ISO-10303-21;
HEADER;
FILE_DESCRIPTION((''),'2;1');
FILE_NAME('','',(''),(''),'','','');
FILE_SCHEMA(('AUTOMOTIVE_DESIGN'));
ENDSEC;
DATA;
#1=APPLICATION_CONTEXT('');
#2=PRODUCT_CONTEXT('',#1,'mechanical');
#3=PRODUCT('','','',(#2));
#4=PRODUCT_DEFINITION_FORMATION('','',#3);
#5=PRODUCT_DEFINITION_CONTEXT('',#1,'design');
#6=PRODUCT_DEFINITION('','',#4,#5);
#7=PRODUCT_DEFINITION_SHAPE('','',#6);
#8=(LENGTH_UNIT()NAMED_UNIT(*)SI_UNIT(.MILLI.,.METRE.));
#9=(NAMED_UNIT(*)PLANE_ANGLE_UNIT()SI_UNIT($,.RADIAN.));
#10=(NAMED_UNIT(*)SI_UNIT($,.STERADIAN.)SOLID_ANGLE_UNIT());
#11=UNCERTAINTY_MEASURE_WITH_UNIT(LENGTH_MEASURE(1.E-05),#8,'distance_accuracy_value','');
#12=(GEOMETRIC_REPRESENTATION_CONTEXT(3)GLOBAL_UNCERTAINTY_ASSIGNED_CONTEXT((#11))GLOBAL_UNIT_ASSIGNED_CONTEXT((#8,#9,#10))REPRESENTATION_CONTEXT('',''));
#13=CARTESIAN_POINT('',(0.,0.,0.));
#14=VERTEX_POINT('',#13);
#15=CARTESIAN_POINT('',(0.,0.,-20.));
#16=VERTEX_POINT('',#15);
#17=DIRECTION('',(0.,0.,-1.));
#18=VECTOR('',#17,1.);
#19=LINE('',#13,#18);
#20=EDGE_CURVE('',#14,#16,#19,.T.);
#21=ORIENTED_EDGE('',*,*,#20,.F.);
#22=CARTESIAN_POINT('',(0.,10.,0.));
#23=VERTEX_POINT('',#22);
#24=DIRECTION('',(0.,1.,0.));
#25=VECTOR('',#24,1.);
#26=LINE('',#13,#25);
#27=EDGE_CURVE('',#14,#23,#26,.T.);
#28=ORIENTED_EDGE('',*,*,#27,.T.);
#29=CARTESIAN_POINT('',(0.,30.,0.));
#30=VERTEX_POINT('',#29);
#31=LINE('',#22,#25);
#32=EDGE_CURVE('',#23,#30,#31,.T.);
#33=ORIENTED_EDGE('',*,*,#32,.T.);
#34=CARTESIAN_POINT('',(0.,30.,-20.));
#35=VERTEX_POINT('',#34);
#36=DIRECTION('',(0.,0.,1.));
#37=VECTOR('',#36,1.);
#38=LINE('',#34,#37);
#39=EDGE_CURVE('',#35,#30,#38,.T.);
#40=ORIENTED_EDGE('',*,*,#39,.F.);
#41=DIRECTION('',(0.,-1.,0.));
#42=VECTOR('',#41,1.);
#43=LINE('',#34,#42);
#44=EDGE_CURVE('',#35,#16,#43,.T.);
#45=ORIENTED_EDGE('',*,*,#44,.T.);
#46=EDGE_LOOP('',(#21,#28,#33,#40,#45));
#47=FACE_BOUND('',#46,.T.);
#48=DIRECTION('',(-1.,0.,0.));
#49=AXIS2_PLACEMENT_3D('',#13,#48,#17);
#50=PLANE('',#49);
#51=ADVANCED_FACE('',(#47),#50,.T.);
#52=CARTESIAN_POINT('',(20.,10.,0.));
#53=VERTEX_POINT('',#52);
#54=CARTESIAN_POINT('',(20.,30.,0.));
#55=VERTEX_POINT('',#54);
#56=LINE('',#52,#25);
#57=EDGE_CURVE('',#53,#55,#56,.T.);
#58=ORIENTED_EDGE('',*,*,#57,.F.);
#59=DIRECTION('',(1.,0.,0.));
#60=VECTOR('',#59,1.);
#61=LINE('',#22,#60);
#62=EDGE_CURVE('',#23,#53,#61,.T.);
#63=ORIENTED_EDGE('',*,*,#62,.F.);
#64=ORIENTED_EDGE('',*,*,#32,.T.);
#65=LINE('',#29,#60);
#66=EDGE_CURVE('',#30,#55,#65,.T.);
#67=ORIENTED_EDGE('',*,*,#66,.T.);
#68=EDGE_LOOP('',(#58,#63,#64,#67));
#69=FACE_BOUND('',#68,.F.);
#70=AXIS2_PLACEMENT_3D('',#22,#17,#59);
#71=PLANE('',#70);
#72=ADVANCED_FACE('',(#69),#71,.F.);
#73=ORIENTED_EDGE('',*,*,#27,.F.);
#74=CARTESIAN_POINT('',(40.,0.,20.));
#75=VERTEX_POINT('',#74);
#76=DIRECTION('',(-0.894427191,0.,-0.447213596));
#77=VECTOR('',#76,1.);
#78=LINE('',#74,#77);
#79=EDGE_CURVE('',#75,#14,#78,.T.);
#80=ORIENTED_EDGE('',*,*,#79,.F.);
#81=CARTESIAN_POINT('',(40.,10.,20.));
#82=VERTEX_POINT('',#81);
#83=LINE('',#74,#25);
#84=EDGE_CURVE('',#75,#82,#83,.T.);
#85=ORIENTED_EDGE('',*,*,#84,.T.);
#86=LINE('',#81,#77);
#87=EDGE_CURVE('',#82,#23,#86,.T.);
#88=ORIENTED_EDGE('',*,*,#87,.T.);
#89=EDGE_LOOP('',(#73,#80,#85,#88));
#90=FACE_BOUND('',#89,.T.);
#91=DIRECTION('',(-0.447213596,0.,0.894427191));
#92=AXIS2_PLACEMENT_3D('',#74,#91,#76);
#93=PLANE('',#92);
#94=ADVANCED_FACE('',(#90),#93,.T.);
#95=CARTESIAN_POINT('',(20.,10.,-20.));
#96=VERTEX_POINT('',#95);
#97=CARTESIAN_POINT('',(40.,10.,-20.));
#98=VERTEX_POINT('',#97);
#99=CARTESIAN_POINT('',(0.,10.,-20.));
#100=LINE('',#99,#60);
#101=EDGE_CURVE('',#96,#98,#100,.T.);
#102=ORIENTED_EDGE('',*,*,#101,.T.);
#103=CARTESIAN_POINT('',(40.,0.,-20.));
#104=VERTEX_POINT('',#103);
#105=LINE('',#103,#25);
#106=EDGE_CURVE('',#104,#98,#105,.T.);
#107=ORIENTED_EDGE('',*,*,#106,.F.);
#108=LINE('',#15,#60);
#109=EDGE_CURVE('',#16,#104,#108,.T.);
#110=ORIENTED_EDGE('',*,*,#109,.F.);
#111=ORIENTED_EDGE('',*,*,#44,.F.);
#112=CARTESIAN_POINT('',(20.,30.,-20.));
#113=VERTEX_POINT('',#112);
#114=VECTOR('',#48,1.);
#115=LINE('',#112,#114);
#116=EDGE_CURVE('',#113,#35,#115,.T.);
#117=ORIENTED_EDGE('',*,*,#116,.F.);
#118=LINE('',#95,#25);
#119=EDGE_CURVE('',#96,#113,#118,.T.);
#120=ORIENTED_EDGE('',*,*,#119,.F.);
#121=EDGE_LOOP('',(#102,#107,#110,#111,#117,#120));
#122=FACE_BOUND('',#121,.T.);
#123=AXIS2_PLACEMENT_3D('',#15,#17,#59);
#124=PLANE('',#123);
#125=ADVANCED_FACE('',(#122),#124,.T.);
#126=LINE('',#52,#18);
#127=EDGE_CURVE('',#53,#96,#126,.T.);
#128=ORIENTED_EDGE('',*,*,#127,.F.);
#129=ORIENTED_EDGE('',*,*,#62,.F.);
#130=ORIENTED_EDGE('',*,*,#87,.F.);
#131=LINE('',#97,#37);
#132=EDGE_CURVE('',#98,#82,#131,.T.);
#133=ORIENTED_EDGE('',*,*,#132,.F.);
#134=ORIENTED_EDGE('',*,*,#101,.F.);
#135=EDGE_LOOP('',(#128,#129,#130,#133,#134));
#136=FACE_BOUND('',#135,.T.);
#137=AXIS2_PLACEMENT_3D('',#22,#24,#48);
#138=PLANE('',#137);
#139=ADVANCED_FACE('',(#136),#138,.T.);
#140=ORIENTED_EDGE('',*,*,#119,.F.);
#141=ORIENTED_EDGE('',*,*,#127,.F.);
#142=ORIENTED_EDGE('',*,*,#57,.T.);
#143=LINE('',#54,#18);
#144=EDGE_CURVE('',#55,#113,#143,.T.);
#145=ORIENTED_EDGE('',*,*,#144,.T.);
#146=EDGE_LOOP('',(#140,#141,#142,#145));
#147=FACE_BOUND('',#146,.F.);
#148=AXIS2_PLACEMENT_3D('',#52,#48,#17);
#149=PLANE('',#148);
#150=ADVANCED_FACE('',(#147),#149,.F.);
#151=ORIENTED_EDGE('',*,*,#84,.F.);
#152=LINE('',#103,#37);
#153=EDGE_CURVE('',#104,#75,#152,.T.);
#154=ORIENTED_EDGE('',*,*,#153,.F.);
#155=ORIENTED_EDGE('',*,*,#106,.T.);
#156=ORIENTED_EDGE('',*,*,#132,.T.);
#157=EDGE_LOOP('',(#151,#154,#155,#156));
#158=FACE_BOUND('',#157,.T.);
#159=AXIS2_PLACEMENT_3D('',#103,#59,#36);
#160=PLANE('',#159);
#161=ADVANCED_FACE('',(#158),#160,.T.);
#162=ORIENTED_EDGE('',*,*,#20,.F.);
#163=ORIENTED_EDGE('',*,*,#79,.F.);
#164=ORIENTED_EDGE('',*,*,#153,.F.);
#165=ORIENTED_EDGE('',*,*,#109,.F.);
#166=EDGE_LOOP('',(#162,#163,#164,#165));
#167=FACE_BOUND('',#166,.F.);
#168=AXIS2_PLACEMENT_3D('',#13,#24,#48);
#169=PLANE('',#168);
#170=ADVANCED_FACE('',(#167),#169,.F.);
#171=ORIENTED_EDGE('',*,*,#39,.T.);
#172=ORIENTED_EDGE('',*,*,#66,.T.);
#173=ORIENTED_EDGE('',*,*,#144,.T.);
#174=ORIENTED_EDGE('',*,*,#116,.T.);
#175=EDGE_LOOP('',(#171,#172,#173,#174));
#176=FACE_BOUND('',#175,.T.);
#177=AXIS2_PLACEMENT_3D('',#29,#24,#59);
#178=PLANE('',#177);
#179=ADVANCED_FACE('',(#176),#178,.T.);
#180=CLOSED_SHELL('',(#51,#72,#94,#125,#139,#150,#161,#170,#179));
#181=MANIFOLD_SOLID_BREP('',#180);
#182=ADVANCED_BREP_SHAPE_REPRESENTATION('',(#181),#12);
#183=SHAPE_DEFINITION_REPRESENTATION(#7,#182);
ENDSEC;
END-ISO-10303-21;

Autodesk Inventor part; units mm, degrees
ref_plane "YZ Plane" through (0, 0, 0) normal (1, 0, 0) x (0, 1, 0)
ref_plane "XZ Plane" through (0, 0, 0) normal (0, 1, 0) x (-1, 0, 0)
ref_plane "XY Plane" through (0, 0, 0) normal (0, 0, 1) x (1, 0, 0)
sketch "草圖1" plane through (0, 0, 0) normal (0, 1, 0) x (-1, 0, 0)
  line L0 (0, 0) -> (0, -20)
  line L1 (0, -20) -> (-40, -20)
  line L2 (-40, -20) -> (-40, 20)
  line L3 (-40, 20) -> (0, 0)
  dimension "d0" = 40
  dimension "d1" = 20
  dimension "d2" = 40
extrude "擠出1" add sketch "草圖1" along normal blind 10
sketch "草圖2" plane through (0, 10, 0) normal (0, 1, 0) x (1, 0, 0)
  line L0 (0, 0) -> (20, 0)
  line L1 (20, 0) -> (20, 20)
  line L2 (20, 20) -> (0, 20)
  line L3 (0, 20) -> (0, 0)
  dimension "d5" = 20
  dimension "d6" = 20
extrude "擠出2" add sketch "草圖2" along normal blind 20
properties part number "3"
